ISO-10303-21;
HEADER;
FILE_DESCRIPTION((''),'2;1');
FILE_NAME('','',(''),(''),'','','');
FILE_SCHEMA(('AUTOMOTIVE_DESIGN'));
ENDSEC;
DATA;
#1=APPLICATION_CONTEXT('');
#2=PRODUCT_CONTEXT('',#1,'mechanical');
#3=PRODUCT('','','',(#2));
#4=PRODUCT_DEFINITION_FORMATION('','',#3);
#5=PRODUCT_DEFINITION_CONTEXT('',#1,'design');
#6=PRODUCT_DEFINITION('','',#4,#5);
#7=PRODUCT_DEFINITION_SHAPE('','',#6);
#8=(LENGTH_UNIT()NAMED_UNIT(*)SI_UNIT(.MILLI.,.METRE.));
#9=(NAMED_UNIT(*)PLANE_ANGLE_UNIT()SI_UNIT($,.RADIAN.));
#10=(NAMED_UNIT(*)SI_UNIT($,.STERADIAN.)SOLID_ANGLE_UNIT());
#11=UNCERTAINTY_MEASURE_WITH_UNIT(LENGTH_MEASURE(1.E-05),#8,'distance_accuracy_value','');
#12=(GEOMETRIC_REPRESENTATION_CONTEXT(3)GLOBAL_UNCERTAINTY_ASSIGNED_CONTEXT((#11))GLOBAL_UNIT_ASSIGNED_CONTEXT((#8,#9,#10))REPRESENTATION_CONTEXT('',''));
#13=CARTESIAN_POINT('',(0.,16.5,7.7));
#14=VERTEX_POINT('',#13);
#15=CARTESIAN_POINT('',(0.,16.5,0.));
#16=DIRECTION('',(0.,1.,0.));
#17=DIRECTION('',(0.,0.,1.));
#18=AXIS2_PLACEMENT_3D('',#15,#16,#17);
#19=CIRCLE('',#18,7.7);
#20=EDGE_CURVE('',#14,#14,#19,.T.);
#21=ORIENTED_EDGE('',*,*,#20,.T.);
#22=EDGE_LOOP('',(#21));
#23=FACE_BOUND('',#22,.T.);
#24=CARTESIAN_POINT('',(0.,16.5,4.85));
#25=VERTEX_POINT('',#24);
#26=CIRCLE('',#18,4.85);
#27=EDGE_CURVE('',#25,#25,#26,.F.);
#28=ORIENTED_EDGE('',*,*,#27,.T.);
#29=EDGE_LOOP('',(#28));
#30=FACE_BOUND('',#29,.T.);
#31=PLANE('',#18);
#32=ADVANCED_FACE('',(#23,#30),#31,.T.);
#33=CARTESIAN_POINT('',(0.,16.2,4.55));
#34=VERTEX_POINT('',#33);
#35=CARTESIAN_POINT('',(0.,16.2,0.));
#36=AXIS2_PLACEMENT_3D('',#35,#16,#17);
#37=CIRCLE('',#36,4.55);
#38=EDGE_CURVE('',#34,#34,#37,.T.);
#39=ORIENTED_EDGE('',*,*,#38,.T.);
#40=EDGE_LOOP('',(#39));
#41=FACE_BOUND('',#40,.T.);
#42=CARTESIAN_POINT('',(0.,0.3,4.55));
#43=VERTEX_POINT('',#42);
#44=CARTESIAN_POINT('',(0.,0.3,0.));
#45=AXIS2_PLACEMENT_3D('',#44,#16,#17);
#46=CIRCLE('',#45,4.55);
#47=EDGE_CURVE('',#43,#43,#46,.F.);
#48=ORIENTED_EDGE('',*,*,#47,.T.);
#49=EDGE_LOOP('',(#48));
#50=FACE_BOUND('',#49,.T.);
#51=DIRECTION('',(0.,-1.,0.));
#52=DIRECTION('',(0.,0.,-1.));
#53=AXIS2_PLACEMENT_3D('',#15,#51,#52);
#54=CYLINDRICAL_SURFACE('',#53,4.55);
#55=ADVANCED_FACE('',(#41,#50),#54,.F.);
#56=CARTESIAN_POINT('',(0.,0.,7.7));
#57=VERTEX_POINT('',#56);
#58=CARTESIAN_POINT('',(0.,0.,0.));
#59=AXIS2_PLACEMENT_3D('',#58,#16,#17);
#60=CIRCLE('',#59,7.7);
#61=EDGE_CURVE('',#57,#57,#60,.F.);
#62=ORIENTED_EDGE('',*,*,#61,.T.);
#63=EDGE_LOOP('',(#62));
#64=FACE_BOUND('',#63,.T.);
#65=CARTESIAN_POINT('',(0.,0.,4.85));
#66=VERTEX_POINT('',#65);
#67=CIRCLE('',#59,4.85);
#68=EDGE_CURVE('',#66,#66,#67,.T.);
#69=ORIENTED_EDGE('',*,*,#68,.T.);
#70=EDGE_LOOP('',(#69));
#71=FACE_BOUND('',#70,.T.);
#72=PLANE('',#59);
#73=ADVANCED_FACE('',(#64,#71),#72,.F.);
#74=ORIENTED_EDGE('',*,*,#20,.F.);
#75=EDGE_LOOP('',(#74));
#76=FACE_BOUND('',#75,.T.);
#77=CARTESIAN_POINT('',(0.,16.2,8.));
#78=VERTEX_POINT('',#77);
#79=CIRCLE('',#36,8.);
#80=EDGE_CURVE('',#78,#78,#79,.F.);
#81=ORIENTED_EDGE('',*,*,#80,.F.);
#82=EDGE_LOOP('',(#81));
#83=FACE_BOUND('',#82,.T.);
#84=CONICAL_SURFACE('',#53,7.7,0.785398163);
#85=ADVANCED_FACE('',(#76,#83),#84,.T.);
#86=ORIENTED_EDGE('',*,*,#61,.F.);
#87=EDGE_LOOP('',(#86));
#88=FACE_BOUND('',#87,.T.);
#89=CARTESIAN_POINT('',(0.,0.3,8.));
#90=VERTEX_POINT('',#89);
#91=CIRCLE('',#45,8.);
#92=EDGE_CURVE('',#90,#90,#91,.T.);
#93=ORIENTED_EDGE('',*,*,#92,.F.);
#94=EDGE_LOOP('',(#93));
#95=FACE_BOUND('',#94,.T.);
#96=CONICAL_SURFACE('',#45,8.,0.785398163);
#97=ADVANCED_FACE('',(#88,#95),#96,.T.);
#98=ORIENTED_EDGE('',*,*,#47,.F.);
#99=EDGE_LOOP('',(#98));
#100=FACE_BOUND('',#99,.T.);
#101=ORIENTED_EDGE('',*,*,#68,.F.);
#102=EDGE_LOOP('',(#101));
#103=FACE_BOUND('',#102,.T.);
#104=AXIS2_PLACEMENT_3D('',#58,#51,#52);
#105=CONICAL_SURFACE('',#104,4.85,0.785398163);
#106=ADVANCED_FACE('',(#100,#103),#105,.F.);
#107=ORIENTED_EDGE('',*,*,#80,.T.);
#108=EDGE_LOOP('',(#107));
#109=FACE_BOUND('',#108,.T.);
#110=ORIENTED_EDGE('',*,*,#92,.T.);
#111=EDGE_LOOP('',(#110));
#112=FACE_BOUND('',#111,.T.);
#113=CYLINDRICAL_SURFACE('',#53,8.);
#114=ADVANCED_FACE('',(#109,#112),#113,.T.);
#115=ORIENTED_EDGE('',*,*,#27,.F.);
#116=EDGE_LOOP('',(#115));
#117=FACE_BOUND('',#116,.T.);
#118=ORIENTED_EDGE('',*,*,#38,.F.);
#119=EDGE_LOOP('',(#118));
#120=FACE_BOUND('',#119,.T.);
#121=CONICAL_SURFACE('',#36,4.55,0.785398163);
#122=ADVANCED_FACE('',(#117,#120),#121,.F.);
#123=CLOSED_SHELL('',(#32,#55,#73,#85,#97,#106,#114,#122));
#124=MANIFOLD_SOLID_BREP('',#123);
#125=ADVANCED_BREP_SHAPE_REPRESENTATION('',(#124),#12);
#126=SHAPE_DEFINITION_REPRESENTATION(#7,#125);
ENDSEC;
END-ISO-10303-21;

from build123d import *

# Parameters (mm, degrees)
ESQUISSE1_R        = 8
ESQUISSE1_R_2      = 4.55
BOSS_EXTRU_1_DEPTH = 16.5
CHANFREIN1_SIZE    = 0.3


with BuildPart() as part:
    # Esquisse1 → Boss.-Extru.1 (new body)
    with BuildSketch(Plane(origin=(0, 0, 0), x_dir=(1, 0, 0), z_dir=(0, 1, 0))):
        with Locations(Location((0, 0, 0), (0, 0, 270))):
            Circle(ESQUISSE1_R)
        with Locations(Location((0, 0, 0), (0, 0, 270))):
            Circle(ESQUISSE1_R_2, mode=Mode.SUBTRACT)
    extrude(amount=BOSS_EXTRU_1_DEPTH)

    # Chanfrein1
    chanfrein1_edges = [part.edges().sort_by_distance(p)[0] for p in [
        (0, 0, -8),
        (0, 16.5, -8),
        (0, 0, -4.55),
        (0, 16.5, -4.55),
    ]]
    chamfer(chanfrein1_edges, length=CHANFREIN1_SIZE)


solid = part.part
